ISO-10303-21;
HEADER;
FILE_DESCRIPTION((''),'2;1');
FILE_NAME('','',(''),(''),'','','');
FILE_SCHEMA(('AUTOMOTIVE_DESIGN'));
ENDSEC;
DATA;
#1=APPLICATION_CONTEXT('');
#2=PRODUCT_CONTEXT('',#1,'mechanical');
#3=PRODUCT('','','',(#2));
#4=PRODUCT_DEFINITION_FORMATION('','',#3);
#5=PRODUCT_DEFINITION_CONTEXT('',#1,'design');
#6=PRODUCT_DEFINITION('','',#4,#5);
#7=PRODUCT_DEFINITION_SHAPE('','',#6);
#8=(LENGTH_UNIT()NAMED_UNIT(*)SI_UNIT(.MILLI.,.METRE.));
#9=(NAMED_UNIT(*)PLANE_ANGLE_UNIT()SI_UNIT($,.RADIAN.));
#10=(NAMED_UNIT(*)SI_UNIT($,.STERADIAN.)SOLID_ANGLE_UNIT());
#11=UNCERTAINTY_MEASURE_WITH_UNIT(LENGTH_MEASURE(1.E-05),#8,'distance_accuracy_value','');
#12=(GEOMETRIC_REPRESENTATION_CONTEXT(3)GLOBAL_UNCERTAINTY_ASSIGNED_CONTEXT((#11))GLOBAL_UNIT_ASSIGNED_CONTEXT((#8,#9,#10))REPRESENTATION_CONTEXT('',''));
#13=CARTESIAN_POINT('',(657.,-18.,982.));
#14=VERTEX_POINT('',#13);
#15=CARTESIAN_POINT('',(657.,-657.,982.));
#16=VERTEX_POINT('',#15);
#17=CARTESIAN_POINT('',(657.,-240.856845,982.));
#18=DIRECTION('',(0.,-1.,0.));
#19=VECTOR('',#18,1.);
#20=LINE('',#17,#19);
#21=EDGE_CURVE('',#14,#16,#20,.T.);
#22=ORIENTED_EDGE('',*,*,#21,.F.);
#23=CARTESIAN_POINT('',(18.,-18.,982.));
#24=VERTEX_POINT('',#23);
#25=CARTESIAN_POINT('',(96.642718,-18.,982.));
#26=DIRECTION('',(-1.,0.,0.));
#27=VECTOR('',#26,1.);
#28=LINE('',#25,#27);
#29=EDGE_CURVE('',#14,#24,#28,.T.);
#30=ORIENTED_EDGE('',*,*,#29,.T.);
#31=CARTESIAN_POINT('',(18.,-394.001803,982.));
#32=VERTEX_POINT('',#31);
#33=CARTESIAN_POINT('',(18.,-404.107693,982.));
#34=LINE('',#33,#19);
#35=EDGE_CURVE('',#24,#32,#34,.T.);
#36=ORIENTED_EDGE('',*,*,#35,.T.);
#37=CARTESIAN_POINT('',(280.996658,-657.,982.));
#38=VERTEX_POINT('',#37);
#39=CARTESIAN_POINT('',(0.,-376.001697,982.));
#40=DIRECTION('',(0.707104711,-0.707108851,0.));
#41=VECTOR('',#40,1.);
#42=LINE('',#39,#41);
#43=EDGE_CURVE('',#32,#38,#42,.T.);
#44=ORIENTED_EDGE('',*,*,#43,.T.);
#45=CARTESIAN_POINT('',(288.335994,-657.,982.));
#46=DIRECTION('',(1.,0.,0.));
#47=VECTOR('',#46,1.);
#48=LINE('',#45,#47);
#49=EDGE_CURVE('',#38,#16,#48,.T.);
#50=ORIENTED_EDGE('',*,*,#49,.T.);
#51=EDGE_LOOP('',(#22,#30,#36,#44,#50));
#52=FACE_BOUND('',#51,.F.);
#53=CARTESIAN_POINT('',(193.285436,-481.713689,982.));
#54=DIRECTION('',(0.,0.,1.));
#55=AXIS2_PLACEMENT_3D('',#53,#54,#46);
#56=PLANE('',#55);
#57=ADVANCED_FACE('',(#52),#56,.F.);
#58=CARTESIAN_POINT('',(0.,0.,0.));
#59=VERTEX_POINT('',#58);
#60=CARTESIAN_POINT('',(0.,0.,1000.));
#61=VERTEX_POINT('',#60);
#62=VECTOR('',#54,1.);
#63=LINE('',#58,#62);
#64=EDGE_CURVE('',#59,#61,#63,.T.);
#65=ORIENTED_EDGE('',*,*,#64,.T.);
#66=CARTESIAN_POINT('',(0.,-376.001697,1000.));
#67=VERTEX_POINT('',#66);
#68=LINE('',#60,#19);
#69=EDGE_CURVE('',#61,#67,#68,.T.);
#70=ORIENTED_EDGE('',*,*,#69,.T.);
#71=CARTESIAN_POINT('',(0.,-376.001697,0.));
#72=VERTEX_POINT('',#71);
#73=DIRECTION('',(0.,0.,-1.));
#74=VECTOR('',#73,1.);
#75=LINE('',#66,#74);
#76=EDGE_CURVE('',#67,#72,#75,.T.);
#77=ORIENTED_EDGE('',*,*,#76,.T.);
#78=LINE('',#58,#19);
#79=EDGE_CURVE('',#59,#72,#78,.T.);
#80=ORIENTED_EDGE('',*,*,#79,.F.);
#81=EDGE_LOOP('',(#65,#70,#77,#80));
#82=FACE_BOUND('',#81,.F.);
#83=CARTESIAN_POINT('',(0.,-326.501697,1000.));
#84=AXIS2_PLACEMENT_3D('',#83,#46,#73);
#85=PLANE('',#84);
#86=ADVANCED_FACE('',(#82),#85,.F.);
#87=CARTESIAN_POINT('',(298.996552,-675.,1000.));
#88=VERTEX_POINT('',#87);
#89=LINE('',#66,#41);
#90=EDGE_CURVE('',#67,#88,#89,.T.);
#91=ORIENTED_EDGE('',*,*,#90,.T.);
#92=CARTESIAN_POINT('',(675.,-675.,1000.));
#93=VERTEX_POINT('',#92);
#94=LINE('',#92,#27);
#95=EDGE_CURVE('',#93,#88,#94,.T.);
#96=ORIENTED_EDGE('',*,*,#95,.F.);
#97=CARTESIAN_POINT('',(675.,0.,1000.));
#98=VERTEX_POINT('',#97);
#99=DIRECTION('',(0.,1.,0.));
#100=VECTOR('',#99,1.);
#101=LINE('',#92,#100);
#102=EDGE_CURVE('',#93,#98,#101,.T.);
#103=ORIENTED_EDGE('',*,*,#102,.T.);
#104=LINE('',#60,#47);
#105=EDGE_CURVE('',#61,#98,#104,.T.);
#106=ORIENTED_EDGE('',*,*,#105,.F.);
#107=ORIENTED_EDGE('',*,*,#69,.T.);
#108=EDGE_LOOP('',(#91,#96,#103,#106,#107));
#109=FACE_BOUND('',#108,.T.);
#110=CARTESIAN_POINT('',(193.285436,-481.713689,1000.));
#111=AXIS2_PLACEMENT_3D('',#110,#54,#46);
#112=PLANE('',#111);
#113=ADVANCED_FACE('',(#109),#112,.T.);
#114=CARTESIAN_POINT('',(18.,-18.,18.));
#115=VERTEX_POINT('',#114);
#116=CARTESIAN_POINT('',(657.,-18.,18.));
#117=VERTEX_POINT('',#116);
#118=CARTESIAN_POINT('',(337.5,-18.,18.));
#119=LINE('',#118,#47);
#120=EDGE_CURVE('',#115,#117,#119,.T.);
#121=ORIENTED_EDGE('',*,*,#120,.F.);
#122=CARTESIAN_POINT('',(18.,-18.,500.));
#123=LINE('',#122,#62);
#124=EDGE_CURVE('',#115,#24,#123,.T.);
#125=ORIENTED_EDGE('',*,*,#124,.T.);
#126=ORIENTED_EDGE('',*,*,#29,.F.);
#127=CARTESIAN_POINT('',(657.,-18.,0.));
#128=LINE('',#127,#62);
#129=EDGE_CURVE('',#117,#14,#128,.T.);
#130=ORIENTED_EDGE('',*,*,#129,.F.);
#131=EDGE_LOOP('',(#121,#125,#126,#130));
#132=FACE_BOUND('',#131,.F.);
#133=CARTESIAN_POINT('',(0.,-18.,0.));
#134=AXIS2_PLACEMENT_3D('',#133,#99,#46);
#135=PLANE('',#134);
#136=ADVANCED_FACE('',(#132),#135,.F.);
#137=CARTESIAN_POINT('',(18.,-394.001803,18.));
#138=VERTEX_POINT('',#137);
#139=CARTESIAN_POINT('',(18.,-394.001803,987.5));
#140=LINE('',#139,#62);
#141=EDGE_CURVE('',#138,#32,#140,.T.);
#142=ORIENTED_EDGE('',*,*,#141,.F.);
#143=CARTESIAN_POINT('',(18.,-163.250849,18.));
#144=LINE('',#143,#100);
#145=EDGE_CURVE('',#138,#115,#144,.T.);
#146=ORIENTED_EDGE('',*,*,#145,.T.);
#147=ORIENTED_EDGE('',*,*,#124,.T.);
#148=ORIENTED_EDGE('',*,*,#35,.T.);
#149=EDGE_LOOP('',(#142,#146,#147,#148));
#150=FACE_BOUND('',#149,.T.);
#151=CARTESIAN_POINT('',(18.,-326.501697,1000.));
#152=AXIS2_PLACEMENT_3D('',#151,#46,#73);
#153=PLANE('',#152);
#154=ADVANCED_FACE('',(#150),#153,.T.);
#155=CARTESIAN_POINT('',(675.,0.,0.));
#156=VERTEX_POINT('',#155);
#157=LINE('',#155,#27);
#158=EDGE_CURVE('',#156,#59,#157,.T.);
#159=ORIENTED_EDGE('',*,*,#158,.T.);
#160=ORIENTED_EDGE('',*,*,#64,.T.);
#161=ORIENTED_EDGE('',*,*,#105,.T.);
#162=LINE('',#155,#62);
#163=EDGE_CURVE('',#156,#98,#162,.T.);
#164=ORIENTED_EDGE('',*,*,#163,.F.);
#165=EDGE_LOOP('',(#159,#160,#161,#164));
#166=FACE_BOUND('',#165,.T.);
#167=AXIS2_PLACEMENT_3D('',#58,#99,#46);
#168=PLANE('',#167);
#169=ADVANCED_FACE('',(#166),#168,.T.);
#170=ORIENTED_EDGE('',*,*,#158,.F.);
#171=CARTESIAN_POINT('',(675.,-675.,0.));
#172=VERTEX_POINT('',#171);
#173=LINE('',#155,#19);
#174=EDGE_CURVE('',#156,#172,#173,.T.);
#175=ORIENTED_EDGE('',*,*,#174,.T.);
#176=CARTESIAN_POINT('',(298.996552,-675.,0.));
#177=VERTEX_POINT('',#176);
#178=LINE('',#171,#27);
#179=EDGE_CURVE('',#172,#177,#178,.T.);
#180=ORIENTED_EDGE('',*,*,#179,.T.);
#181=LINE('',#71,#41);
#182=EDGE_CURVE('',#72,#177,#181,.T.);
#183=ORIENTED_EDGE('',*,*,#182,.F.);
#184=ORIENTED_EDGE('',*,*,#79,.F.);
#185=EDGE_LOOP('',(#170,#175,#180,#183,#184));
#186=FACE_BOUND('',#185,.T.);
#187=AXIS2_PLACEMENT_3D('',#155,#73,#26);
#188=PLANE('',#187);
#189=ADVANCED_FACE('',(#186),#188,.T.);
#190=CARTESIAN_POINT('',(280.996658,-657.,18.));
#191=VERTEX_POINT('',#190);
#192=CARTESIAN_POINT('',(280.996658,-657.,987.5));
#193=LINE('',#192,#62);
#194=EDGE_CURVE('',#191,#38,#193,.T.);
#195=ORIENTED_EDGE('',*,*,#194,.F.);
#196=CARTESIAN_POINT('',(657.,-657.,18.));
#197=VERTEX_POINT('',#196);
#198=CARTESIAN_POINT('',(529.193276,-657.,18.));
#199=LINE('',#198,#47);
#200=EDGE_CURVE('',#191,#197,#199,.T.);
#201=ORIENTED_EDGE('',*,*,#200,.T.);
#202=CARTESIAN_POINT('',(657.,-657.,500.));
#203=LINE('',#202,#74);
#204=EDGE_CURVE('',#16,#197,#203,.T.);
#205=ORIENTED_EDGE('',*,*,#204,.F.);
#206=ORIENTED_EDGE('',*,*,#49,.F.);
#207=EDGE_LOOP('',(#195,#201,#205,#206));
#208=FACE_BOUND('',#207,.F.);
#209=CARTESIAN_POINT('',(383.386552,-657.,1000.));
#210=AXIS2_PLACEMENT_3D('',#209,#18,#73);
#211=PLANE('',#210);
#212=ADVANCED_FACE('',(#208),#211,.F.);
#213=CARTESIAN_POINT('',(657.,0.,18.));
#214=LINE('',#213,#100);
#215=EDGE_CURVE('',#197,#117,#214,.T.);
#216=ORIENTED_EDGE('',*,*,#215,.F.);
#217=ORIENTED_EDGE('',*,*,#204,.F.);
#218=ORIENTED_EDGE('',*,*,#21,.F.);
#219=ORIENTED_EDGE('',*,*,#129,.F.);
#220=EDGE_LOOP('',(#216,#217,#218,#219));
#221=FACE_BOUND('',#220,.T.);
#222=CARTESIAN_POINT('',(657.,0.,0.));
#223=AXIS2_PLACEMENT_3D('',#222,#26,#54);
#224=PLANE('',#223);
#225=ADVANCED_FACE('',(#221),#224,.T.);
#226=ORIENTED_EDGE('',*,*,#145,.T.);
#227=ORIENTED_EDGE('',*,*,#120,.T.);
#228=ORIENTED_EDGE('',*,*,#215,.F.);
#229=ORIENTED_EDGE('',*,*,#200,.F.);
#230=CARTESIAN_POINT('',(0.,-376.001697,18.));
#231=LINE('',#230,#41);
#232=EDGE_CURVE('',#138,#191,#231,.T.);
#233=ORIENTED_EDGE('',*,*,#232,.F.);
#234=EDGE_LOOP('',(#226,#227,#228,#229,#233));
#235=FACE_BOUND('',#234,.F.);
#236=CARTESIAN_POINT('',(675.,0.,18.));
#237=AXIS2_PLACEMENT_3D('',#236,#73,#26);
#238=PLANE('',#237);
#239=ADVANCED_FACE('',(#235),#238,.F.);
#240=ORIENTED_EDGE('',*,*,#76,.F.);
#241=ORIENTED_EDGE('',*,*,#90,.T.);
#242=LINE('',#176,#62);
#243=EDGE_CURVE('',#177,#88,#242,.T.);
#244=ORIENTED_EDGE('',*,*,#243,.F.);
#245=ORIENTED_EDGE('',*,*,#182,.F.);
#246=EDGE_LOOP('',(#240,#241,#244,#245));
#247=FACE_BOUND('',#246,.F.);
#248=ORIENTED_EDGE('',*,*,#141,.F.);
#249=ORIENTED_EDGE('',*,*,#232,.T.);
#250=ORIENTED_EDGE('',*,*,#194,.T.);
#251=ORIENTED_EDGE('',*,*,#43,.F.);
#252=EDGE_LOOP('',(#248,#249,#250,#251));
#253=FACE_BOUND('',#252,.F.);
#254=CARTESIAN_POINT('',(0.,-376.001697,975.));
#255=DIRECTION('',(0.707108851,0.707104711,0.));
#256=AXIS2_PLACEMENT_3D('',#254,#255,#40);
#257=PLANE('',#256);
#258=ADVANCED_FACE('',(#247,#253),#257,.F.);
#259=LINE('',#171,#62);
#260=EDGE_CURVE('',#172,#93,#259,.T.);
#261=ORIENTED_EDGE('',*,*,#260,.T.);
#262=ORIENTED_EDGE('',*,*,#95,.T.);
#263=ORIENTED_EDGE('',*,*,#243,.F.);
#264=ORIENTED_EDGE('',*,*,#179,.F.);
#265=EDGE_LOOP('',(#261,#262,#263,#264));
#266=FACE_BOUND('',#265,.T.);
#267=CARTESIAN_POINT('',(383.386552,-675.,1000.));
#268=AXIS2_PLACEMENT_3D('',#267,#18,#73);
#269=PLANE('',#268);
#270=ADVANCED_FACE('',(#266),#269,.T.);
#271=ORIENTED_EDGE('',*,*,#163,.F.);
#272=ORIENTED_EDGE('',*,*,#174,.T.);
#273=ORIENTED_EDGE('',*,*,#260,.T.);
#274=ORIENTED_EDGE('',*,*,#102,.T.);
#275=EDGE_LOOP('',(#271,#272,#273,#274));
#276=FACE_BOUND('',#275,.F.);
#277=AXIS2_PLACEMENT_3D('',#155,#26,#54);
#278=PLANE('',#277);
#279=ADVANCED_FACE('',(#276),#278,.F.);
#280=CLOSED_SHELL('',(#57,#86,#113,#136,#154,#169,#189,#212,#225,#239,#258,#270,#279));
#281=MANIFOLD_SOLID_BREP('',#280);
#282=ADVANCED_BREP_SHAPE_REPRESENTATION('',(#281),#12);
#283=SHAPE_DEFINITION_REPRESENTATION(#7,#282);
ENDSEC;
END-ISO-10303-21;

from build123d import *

# Parameters (mm, degrees)
F0_W      = 82.2246223688
F0_H      = 71.0700303316
F1_DEPTH  = 1000
F2_DEPTH  = 675
F3_DEPTH  = 675
F4_W      = 383.3865523338
F4_H      = 348.4983026981
F5_DEPTH  = 25
F6_DEPTH  = 84.39
F7_DEPTH  = 49.5
F9_DEPTH  = 25
F10_DEPTH = 975
F11_T     = -18


with BuildPart() as f1:
    # F0 (on Top) → F1 (new body)
    with BuildSketch(Plane.XY):
        with Locations((41.1123111844, -35.5350151658)):
            Rectangle(F0_W, F0_H)
    extrude(amount=F1_DEPTH)

    # F2 (add): a face of the model
    f2_faces = [f1.faces().sort_by_distance(p)[0] for p in [
        (0, -35.5350151658, 500),
    ]]
    extrude(f2_faces, amount=-F2_DEPTH)

    # F3 (add): a face of the model
    f3_faces = [f1.faces().sort_by_distance(p)[0] for p in [
        (337.5, 0, 500),
    ]]
    extrude(f3_faces, amount=-F3_DEPTH)

    # F4 (on face) → F5 (cut)
    with BuildSketch(Plane.XY.offset(1000)):
        with Locations((191.6932761669, -500.7508486509)):
            Rectangle(F4_W, F4_H)
    extrude(amount=-F5_DEPTH, mode=Mode.SUBTRACT)

    # F6 (add): a face of the model
    f6_faces = [f1.faces().sort_by_distance(p)[0] for p in [
        (383.3865523338, -500.7508486509, 987.5),
    ]]
    extrude(f6_faces, amount=F6_DEPTH)

    # F7 (add): a face of the model
    f7_faces = [f1.faces().sort_by_distance(p)[0] for p in [
        (149.4982761669, -326.5016973019, 987.5),
    ]]
    extrude(f7_faces, amount=F7_DEPTH)

    # F8 (on face) → F9 (join)
    with BuildSketch(Plane.XY.offset(975)):
        Polygon((0, -376.0016973019), (298.9965523338, -675), (298.9965523338, -376.0016973019), align=None)
    extrude(amount=F9_DEPTH)

    # F10 (cut): a face of the model
    f10_faces = [f1.faces().sort_by_distance(p)[0] for p in [
        (99.6655174446, -575.3338991006, 975),
    ]]
    extrude(f10_faces, amount=-F10_DEPTH, mode=Mode.SUBTRACT)

    # F11
    f11_openings = [f1.faces().sort_by_distance(p)[0] for p in [
        (149.498276, -525.500849, 500),
    ]]
    offset(amount=F11_T, openings=f11_openings)


solid = f1.part
